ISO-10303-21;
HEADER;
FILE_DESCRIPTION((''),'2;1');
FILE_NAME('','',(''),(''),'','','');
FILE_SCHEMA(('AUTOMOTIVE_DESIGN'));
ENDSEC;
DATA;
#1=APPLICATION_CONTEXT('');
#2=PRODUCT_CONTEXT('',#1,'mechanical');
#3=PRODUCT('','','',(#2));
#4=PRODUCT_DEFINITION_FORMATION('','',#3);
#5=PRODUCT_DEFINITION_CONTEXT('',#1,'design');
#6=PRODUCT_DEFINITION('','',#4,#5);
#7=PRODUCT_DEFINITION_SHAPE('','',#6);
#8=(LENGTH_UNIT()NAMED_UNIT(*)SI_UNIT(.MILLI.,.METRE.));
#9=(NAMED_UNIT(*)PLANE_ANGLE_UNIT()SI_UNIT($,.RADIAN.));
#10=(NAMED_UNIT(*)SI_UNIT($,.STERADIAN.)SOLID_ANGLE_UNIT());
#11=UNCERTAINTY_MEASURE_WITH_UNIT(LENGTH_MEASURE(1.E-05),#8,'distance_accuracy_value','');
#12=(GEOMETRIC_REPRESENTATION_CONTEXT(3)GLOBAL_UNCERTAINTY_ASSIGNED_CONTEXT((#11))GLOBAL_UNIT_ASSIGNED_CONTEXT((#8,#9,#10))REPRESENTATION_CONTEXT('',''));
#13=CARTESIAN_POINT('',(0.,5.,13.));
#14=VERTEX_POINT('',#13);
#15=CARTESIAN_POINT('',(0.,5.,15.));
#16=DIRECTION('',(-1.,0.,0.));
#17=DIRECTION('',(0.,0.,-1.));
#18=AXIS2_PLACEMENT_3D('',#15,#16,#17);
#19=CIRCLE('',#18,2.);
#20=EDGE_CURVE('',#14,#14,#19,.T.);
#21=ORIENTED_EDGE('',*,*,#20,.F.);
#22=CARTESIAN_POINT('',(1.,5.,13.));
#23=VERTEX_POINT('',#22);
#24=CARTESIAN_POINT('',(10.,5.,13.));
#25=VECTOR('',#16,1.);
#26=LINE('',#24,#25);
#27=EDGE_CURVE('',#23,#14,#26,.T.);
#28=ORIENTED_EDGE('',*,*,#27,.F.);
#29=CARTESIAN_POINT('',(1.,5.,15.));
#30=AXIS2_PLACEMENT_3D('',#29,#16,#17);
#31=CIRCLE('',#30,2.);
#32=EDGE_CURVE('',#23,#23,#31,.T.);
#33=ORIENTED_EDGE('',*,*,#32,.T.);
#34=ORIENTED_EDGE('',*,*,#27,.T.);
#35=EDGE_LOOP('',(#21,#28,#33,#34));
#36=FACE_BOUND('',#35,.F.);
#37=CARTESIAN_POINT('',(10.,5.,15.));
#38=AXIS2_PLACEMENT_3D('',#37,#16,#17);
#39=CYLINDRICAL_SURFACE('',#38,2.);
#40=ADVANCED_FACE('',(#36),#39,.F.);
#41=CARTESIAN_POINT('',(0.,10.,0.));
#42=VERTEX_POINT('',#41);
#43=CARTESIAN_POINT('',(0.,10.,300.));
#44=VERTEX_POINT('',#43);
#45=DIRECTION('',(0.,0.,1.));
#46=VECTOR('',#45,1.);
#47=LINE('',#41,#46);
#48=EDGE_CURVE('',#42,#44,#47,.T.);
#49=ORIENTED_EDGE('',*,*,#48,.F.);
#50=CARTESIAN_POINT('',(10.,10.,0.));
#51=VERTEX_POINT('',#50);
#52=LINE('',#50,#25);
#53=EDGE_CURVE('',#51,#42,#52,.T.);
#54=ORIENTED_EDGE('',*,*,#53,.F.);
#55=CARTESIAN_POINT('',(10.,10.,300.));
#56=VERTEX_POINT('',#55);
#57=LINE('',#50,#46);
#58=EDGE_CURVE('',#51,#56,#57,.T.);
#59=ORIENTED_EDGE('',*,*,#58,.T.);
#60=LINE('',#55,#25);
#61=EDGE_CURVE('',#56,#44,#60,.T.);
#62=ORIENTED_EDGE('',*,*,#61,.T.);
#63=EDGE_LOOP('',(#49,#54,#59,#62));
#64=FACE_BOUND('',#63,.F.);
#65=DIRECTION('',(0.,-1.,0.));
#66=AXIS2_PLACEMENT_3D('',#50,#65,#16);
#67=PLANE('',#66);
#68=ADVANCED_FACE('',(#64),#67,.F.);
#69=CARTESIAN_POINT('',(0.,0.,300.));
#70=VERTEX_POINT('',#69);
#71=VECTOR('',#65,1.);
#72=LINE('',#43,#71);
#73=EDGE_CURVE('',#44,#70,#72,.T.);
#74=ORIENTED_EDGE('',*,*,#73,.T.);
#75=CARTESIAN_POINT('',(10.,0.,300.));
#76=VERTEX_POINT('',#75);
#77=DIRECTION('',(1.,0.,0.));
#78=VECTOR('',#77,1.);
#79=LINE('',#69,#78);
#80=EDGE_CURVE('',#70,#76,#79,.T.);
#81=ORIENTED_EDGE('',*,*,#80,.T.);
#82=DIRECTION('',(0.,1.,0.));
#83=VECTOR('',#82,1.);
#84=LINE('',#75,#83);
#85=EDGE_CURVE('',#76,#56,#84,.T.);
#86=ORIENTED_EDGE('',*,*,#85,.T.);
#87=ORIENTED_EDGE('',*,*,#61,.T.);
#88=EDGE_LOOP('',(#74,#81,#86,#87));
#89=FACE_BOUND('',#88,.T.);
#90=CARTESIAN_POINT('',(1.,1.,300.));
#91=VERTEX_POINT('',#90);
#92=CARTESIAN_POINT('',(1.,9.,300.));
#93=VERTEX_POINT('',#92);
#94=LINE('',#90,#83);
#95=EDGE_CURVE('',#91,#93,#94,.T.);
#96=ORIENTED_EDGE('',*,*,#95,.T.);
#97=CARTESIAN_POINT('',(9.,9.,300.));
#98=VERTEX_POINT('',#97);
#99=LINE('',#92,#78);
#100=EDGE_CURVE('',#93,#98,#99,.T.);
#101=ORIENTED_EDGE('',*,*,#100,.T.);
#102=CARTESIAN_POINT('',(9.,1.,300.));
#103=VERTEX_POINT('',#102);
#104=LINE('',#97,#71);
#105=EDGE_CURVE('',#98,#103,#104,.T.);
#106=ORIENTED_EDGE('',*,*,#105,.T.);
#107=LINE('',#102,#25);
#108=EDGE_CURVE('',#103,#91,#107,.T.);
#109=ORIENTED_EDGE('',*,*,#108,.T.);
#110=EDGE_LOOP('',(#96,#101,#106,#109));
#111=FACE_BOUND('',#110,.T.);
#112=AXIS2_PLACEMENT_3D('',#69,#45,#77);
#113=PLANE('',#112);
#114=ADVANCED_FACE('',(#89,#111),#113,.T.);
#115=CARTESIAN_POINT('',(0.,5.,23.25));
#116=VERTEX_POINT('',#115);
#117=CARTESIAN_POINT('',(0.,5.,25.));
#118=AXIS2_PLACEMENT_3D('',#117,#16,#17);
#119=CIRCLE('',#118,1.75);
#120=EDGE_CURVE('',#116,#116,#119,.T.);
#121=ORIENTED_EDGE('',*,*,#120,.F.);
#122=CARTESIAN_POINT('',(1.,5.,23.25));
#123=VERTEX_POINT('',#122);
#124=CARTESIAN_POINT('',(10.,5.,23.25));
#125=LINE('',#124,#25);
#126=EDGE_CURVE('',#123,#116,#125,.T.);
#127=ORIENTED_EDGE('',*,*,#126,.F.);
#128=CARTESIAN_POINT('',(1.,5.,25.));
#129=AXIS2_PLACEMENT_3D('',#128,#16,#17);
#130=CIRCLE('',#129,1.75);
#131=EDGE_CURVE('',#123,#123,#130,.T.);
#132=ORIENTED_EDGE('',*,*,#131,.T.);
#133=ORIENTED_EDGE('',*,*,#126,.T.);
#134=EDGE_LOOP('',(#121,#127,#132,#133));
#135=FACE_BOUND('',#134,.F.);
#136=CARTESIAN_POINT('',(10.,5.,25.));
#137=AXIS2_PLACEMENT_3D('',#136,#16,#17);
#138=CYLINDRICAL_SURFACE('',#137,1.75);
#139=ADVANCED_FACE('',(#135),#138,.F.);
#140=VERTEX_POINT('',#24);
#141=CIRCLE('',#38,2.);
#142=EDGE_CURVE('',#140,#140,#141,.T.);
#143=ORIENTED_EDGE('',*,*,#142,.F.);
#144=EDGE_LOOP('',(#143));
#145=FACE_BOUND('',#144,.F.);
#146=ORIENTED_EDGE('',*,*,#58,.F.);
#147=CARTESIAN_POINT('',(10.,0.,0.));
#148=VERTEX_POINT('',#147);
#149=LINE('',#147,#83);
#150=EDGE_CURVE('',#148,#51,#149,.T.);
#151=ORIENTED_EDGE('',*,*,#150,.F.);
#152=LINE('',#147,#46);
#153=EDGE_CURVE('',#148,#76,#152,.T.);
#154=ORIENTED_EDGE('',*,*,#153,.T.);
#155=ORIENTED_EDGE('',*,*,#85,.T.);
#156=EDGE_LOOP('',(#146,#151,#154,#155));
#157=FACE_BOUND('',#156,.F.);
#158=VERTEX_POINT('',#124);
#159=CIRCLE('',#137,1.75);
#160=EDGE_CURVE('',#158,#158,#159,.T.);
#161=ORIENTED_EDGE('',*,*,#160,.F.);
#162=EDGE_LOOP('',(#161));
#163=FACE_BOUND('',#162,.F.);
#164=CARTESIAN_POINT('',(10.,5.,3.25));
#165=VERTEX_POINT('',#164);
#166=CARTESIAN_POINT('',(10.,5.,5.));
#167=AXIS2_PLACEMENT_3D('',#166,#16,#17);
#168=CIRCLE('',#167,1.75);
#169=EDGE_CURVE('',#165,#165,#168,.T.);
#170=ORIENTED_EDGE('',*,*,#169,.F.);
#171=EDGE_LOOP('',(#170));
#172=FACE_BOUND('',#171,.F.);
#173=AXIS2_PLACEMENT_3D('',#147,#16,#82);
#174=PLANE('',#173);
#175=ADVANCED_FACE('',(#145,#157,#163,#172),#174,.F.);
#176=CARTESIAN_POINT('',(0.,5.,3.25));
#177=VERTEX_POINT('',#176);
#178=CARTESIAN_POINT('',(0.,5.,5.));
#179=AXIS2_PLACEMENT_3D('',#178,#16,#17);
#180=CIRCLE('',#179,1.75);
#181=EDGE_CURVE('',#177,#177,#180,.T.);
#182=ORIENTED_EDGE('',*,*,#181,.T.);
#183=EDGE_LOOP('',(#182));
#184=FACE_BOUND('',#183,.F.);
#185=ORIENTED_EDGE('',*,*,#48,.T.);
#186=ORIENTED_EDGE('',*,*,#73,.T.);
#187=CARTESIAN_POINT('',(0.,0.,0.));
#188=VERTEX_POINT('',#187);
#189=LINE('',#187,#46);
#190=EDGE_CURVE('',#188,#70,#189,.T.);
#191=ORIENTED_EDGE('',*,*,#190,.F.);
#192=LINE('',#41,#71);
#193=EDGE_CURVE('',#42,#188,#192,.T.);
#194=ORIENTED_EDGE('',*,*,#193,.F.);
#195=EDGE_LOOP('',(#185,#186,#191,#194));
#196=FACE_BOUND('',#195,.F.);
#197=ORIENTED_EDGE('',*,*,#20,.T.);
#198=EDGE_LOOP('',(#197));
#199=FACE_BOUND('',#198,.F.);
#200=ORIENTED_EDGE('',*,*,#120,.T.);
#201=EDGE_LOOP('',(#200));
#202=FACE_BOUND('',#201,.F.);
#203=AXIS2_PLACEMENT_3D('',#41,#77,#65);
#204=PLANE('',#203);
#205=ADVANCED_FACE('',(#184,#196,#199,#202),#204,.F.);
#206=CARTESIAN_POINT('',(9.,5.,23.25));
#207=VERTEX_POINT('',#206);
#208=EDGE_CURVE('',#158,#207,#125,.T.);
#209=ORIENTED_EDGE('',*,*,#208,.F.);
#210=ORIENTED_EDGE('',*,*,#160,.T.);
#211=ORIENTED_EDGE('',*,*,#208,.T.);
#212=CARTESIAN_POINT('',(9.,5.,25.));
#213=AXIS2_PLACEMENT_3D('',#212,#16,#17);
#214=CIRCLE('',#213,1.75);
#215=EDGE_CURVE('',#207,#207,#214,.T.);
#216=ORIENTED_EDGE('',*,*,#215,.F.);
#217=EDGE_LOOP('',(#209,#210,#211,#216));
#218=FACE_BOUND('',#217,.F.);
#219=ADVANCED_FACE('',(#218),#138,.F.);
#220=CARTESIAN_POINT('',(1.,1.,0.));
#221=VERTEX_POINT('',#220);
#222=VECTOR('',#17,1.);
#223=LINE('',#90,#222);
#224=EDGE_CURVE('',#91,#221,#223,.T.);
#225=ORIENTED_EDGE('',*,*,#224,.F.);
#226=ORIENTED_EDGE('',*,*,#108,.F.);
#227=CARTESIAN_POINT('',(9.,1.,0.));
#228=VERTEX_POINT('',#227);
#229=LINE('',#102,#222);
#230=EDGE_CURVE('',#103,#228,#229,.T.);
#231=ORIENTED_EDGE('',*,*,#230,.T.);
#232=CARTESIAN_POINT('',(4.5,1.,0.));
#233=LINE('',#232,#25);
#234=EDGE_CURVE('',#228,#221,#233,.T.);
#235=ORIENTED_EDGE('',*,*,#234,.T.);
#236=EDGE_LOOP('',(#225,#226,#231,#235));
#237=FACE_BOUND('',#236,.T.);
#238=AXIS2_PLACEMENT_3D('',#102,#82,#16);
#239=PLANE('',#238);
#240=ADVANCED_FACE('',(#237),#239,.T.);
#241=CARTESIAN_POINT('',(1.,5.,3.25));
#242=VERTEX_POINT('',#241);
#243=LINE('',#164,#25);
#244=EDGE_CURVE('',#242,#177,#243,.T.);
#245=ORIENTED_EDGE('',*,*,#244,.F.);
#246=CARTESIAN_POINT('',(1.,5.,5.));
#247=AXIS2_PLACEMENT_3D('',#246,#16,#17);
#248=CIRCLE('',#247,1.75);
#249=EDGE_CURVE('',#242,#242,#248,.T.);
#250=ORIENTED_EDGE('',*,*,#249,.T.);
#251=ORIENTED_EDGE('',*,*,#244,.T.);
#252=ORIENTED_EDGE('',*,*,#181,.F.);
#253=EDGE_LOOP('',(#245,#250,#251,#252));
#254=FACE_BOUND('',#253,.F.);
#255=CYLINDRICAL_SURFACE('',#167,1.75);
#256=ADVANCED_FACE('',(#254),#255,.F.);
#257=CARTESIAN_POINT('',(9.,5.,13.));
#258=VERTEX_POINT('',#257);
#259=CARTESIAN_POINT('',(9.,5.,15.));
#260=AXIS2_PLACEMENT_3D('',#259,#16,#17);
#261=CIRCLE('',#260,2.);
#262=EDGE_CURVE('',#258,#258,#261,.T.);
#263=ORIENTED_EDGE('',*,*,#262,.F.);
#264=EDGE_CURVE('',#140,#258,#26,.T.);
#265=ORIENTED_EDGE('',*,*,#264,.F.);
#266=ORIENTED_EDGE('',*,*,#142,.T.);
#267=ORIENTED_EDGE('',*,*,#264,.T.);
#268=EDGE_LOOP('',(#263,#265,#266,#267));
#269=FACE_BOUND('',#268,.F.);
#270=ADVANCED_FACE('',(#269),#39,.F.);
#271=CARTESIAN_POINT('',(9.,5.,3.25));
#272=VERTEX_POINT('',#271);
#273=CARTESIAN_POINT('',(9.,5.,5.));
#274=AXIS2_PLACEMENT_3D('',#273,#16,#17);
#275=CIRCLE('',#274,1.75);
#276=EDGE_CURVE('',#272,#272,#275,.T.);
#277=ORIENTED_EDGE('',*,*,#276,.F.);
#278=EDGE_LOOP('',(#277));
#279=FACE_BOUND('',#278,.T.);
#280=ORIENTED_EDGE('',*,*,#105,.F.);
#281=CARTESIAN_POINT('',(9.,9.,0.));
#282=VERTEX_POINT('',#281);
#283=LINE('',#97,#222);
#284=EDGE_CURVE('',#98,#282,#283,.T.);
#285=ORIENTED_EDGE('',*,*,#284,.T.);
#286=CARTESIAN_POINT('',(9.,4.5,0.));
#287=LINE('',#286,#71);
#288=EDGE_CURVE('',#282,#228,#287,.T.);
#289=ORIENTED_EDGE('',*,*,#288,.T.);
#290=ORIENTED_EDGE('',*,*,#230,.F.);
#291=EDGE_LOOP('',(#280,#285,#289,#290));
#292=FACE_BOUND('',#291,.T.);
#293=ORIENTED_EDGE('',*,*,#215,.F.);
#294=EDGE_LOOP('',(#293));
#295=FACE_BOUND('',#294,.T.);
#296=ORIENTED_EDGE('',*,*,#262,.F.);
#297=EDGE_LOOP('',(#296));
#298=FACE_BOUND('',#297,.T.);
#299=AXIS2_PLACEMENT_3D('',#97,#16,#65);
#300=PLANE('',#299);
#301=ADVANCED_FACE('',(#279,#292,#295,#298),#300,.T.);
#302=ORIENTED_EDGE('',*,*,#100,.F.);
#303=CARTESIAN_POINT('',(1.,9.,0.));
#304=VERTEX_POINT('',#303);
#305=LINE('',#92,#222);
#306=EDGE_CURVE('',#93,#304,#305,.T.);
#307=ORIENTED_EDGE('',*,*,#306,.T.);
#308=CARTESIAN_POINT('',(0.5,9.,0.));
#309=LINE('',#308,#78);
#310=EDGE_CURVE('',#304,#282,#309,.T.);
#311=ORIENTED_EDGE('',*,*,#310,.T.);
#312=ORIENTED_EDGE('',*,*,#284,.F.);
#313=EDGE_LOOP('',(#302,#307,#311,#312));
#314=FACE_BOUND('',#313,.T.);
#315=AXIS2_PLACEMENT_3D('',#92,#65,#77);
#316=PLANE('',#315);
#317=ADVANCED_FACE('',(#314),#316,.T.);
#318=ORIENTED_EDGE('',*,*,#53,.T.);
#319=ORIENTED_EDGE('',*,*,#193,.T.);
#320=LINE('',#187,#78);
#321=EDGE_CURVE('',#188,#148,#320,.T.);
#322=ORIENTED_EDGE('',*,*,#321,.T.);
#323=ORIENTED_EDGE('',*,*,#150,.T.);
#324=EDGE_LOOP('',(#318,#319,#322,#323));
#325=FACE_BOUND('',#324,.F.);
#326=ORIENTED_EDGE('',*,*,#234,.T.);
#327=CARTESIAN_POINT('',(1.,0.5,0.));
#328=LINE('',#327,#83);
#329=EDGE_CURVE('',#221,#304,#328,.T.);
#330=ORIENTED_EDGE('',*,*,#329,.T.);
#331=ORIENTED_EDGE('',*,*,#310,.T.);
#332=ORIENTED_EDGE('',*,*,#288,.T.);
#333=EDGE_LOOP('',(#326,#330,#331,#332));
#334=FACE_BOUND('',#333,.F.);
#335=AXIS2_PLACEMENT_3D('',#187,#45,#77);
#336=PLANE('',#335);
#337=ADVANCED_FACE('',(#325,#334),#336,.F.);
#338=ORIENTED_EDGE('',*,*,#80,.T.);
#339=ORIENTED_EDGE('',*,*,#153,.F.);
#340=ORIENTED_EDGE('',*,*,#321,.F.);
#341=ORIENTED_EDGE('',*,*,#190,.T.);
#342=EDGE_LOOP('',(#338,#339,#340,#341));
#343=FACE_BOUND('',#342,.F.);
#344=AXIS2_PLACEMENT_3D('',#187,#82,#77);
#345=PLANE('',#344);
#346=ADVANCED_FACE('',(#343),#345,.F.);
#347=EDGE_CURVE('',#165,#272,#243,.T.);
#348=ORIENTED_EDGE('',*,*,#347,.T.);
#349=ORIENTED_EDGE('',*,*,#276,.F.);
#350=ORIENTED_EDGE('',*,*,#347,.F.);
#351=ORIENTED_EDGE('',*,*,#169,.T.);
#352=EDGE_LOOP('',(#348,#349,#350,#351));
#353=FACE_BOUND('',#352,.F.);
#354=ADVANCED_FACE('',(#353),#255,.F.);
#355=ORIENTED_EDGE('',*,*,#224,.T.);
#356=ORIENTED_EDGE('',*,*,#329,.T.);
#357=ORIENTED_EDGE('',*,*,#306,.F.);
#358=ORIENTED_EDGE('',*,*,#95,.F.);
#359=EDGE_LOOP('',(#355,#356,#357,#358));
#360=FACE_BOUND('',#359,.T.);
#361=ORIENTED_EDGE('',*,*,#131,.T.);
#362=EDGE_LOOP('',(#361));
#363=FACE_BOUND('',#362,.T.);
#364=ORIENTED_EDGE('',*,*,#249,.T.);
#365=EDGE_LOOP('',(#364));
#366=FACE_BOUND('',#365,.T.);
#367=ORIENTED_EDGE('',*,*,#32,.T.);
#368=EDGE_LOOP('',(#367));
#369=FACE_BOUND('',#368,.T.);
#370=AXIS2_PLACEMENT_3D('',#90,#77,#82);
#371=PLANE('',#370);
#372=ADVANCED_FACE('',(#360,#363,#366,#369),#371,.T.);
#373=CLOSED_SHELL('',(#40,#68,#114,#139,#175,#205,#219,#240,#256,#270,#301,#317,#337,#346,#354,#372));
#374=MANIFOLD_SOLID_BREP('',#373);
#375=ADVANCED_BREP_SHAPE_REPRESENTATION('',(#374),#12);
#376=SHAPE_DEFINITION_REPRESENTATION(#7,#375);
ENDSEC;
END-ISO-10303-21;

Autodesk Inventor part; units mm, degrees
ref_plane "YZ Plane" through (0, 0, 0) normal (1, 0, 0) x (0, 1, 0)
ref_plane "XZ Plane" through (0, 0, 0) normal (0, 1, 0) x (-1, 0, 0)
ref_plane "XY Plane" through (0, 0, 0) normal (0, 0, 1) x (1, 0, 0)
sketch "スケッチ1" plane through (0, 0, 0) normal (0, 0, 1) x (1, 0, 0)
  line L0 (0, 0) -> (10, 0)
  line L1 (10, 0) -> (10, 10)
  line L2 (10, 10) -> (0, 10)
  line L3 (0, 10) -> (0, 0)
  dimension "d0" = 10
  dimension "d1" = 10
extrude "押し出し1" add sketch "スケッチ1" along normal blind 300
sketch "スケッチ2" plane through (0, 0, 300) normal (0, 0, 1) x (1, 0, 0)
  line L0 (1, 9) -> (9, 9)
  line L1 (9, 9) -> (9, 1)
  line L2 (9, 1) -> (1, 1)
  line L3 (1, 1) -> (1, 9)
  line L4 (10, 10) -> (0, 10) projected
  line L5 (10, 0) -> (10, 10) projected
  line L6 (0, 0) -> (10, 0) projected
  line L7 (0, 10) -> (0, 0) projected
  dimension "d4" = 1
  dimension "d5" = 1
  dimension "d6" = 1
  dimension "d7" = 1
extrude "押し出し2" cut sketch "スケッチ2" against normal through all contours L0 L1 L2 L3
sketch "スケッチ3" plane through (10, 0, 0) normal (1, 0, 0) x (0, 0, -1)
  line L0 (0, 0) -> (0, 10) projected
  point P0 (-15, 5)
  dimension "d10" = 15
hole "穴1" at (10, 5, 15) direction (-1, 0, 0) diameter 4 end through all
sketch "スケッチ4" plane through (10, 0, 0) normal (1, 0, 0) x (0, 0, -1)
  line L0 (0, 0) -> (0, 10) projected
  line L1 (0, 0) -> (-300, 0) projected
  point P0 (-5, 5)
  point P1 (-25, 5)
  dimension "d18" = 5
  dimension "d19" = 5
  dimension "d20" = 25
hole "穴2" at (10, 5, 5) at (10, 5, 25) direction (-1, 0, 0) diameter 3.5 end through all
properties part number "3SR06_振子"
